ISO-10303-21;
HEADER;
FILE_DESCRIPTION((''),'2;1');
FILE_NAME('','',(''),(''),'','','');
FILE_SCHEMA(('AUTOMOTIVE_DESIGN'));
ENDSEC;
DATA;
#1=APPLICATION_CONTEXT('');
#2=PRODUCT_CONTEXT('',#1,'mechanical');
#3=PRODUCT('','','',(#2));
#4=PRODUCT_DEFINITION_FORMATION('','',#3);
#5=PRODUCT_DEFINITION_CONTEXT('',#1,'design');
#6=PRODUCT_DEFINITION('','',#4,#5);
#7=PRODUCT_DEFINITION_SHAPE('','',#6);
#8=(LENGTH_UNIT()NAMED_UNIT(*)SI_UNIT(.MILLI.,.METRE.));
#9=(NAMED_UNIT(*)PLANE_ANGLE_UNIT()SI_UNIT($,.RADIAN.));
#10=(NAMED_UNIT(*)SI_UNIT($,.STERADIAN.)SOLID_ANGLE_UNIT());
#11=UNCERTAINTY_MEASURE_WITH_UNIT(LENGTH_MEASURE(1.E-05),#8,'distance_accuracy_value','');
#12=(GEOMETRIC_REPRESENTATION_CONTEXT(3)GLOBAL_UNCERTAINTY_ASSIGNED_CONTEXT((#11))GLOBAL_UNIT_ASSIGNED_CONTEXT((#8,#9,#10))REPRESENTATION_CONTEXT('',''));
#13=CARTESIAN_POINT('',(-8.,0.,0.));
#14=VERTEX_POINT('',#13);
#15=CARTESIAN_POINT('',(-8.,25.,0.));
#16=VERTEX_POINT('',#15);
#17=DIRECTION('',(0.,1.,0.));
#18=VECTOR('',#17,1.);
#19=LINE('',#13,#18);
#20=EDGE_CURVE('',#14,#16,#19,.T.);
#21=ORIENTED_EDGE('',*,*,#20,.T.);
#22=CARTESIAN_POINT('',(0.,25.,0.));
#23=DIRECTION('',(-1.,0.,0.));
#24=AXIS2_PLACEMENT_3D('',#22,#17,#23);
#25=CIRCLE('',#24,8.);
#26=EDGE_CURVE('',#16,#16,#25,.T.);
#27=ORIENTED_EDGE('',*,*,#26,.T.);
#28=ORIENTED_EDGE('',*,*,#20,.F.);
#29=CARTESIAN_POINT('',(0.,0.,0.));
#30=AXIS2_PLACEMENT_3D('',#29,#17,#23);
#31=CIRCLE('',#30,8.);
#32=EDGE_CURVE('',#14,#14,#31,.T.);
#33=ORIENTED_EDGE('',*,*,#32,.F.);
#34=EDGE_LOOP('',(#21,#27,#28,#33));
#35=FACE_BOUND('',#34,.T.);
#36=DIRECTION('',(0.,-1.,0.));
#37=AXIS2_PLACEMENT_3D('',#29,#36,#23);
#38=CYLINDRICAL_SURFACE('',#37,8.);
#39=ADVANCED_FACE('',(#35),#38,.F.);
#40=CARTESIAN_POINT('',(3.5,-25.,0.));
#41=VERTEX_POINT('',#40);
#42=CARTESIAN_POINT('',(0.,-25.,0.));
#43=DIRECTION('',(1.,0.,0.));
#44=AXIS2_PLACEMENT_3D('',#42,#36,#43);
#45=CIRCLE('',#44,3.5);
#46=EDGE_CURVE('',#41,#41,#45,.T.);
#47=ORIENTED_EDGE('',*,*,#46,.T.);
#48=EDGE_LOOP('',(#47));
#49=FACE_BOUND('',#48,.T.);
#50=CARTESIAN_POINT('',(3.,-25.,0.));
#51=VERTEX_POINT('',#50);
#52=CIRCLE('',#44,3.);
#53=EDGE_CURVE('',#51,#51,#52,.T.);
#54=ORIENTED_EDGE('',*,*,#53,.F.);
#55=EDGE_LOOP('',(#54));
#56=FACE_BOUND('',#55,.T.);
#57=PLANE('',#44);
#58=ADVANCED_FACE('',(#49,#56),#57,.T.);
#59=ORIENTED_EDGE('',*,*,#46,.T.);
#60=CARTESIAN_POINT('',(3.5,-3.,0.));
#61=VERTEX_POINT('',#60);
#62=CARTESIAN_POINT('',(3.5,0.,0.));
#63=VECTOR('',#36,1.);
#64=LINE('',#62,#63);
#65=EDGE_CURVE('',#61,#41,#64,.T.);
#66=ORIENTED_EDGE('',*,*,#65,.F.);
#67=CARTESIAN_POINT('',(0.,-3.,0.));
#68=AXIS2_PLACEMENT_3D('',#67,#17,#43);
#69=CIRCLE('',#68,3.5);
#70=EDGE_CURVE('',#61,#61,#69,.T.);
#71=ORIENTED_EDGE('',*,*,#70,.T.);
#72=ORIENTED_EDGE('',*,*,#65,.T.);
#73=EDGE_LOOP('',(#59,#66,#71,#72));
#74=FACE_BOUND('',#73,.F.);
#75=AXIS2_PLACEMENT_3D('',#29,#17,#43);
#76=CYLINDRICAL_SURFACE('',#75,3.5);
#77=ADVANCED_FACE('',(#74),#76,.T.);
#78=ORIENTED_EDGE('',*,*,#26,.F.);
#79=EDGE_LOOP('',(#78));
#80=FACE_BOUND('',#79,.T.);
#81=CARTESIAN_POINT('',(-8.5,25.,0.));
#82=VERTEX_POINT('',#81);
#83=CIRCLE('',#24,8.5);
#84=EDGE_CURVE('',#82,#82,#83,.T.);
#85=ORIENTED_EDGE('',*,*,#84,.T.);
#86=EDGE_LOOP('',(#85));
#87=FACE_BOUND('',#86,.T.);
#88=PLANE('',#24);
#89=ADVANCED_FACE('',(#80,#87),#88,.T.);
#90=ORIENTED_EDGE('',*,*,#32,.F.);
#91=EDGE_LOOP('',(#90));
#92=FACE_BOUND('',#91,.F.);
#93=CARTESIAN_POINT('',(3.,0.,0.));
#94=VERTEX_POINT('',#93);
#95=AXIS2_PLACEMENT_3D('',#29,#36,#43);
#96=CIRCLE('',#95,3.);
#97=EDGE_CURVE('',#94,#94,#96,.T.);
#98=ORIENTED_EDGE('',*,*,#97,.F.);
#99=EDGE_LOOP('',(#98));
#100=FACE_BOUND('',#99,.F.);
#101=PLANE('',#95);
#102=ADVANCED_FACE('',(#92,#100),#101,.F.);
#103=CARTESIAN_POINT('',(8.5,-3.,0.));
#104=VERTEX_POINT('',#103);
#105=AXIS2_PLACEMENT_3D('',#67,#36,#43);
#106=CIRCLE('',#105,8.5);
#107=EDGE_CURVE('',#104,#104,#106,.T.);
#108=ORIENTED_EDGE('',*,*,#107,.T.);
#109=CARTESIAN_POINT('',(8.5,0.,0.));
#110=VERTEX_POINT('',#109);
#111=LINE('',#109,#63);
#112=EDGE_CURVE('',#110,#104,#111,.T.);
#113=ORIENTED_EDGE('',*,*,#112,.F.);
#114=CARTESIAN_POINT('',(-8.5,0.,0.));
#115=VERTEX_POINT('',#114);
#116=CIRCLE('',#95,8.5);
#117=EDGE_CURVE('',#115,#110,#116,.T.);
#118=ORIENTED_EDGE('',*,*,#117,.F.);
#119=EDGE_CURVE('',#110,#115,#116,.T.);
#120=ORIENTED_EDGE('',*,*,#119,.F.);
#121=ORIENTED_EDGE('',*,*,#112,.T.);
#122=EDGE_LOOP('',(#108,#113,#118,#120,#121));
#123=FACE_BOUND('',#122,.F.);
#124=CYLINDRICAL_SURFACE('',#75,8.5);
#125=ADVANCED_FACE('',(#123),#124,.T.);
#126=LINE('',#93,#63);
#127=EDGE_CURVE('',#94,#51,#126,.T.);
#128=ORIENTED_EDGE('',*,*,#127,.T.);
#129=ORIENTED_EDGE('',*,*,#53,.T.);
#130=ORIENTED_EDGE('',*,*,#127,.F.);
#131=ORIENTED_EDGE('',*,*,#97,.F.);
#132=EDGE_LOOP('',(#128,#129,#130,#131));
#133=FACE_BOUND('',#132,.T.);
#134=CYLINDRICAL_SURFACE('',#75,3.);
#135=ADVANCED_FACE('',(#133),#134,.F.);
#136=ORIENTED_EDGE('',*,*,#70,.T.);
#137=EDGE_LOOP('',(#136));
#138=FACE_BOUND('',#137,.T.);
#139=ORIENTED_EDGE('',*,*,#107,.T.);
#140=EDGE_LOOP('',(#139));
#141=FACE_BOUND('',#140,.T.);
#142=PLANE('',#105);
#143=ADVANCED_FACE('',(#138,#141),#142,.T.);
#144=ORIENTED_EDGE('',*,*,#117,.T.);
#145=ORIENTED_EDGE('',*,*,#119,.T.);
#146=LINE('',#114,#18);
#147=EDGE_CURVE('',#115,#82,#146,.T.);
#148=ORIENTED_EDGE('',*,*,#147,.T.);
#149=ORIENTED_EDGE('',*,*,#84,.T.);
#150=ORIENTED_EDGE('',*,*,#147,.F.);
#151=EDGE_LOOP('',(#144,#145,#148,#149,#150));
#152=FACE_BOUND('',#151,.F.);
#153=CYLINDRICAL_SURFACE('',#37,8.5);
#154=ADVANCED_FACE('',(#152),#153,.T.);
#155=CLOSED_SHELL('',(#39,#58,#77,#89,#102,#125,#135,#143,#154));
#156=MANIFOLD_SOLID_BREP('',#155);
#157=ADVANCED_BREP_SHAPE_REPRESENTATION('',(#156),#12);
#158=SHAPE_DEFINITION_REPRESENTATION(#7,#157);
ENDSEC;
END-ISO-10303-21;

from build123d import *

# Parameters (mm, degrees)
F0_R     = 3.5
F0_R_2   = 3
F1_DEPTH = 25
F2_R     = 8.5
F2_R_2   = 3
F3_DEPTH = 3
F4_R     = 8.5
F4_R_2   = 8
F5_DEPTH = 25


with BuildPart() as f1:
    # F0 (on Front) → F1 (new body)
    with BuildSketch(Plane.XZ):
        Circle(F0_R)
        Circle(F0_R_2, mode=Mode.SUBTRACT)
    extrude(amount=F1_DEPTH)

    # F2 (on Front) → F3 (join)
    with BuildSketch(Plane.XZ):
        Circle(F2_R)
        Circle(F2_R_2, mode=Mode.SUBTRACT)
    extrude(amount=F3_DEPTH)

    # F4 (on face) → F5 (join)
    with BuildSketch(Plane(origin=(0, 0, 0), x_dir=(-1, 0, 0), z_dir=(0, 1, 0))):
        Circle(F4_R)
        Circle(F4_R_2, mode=Mode.SUBTRACT)
    extrude(amount=F5_DEPTH)


solid = f1.part
